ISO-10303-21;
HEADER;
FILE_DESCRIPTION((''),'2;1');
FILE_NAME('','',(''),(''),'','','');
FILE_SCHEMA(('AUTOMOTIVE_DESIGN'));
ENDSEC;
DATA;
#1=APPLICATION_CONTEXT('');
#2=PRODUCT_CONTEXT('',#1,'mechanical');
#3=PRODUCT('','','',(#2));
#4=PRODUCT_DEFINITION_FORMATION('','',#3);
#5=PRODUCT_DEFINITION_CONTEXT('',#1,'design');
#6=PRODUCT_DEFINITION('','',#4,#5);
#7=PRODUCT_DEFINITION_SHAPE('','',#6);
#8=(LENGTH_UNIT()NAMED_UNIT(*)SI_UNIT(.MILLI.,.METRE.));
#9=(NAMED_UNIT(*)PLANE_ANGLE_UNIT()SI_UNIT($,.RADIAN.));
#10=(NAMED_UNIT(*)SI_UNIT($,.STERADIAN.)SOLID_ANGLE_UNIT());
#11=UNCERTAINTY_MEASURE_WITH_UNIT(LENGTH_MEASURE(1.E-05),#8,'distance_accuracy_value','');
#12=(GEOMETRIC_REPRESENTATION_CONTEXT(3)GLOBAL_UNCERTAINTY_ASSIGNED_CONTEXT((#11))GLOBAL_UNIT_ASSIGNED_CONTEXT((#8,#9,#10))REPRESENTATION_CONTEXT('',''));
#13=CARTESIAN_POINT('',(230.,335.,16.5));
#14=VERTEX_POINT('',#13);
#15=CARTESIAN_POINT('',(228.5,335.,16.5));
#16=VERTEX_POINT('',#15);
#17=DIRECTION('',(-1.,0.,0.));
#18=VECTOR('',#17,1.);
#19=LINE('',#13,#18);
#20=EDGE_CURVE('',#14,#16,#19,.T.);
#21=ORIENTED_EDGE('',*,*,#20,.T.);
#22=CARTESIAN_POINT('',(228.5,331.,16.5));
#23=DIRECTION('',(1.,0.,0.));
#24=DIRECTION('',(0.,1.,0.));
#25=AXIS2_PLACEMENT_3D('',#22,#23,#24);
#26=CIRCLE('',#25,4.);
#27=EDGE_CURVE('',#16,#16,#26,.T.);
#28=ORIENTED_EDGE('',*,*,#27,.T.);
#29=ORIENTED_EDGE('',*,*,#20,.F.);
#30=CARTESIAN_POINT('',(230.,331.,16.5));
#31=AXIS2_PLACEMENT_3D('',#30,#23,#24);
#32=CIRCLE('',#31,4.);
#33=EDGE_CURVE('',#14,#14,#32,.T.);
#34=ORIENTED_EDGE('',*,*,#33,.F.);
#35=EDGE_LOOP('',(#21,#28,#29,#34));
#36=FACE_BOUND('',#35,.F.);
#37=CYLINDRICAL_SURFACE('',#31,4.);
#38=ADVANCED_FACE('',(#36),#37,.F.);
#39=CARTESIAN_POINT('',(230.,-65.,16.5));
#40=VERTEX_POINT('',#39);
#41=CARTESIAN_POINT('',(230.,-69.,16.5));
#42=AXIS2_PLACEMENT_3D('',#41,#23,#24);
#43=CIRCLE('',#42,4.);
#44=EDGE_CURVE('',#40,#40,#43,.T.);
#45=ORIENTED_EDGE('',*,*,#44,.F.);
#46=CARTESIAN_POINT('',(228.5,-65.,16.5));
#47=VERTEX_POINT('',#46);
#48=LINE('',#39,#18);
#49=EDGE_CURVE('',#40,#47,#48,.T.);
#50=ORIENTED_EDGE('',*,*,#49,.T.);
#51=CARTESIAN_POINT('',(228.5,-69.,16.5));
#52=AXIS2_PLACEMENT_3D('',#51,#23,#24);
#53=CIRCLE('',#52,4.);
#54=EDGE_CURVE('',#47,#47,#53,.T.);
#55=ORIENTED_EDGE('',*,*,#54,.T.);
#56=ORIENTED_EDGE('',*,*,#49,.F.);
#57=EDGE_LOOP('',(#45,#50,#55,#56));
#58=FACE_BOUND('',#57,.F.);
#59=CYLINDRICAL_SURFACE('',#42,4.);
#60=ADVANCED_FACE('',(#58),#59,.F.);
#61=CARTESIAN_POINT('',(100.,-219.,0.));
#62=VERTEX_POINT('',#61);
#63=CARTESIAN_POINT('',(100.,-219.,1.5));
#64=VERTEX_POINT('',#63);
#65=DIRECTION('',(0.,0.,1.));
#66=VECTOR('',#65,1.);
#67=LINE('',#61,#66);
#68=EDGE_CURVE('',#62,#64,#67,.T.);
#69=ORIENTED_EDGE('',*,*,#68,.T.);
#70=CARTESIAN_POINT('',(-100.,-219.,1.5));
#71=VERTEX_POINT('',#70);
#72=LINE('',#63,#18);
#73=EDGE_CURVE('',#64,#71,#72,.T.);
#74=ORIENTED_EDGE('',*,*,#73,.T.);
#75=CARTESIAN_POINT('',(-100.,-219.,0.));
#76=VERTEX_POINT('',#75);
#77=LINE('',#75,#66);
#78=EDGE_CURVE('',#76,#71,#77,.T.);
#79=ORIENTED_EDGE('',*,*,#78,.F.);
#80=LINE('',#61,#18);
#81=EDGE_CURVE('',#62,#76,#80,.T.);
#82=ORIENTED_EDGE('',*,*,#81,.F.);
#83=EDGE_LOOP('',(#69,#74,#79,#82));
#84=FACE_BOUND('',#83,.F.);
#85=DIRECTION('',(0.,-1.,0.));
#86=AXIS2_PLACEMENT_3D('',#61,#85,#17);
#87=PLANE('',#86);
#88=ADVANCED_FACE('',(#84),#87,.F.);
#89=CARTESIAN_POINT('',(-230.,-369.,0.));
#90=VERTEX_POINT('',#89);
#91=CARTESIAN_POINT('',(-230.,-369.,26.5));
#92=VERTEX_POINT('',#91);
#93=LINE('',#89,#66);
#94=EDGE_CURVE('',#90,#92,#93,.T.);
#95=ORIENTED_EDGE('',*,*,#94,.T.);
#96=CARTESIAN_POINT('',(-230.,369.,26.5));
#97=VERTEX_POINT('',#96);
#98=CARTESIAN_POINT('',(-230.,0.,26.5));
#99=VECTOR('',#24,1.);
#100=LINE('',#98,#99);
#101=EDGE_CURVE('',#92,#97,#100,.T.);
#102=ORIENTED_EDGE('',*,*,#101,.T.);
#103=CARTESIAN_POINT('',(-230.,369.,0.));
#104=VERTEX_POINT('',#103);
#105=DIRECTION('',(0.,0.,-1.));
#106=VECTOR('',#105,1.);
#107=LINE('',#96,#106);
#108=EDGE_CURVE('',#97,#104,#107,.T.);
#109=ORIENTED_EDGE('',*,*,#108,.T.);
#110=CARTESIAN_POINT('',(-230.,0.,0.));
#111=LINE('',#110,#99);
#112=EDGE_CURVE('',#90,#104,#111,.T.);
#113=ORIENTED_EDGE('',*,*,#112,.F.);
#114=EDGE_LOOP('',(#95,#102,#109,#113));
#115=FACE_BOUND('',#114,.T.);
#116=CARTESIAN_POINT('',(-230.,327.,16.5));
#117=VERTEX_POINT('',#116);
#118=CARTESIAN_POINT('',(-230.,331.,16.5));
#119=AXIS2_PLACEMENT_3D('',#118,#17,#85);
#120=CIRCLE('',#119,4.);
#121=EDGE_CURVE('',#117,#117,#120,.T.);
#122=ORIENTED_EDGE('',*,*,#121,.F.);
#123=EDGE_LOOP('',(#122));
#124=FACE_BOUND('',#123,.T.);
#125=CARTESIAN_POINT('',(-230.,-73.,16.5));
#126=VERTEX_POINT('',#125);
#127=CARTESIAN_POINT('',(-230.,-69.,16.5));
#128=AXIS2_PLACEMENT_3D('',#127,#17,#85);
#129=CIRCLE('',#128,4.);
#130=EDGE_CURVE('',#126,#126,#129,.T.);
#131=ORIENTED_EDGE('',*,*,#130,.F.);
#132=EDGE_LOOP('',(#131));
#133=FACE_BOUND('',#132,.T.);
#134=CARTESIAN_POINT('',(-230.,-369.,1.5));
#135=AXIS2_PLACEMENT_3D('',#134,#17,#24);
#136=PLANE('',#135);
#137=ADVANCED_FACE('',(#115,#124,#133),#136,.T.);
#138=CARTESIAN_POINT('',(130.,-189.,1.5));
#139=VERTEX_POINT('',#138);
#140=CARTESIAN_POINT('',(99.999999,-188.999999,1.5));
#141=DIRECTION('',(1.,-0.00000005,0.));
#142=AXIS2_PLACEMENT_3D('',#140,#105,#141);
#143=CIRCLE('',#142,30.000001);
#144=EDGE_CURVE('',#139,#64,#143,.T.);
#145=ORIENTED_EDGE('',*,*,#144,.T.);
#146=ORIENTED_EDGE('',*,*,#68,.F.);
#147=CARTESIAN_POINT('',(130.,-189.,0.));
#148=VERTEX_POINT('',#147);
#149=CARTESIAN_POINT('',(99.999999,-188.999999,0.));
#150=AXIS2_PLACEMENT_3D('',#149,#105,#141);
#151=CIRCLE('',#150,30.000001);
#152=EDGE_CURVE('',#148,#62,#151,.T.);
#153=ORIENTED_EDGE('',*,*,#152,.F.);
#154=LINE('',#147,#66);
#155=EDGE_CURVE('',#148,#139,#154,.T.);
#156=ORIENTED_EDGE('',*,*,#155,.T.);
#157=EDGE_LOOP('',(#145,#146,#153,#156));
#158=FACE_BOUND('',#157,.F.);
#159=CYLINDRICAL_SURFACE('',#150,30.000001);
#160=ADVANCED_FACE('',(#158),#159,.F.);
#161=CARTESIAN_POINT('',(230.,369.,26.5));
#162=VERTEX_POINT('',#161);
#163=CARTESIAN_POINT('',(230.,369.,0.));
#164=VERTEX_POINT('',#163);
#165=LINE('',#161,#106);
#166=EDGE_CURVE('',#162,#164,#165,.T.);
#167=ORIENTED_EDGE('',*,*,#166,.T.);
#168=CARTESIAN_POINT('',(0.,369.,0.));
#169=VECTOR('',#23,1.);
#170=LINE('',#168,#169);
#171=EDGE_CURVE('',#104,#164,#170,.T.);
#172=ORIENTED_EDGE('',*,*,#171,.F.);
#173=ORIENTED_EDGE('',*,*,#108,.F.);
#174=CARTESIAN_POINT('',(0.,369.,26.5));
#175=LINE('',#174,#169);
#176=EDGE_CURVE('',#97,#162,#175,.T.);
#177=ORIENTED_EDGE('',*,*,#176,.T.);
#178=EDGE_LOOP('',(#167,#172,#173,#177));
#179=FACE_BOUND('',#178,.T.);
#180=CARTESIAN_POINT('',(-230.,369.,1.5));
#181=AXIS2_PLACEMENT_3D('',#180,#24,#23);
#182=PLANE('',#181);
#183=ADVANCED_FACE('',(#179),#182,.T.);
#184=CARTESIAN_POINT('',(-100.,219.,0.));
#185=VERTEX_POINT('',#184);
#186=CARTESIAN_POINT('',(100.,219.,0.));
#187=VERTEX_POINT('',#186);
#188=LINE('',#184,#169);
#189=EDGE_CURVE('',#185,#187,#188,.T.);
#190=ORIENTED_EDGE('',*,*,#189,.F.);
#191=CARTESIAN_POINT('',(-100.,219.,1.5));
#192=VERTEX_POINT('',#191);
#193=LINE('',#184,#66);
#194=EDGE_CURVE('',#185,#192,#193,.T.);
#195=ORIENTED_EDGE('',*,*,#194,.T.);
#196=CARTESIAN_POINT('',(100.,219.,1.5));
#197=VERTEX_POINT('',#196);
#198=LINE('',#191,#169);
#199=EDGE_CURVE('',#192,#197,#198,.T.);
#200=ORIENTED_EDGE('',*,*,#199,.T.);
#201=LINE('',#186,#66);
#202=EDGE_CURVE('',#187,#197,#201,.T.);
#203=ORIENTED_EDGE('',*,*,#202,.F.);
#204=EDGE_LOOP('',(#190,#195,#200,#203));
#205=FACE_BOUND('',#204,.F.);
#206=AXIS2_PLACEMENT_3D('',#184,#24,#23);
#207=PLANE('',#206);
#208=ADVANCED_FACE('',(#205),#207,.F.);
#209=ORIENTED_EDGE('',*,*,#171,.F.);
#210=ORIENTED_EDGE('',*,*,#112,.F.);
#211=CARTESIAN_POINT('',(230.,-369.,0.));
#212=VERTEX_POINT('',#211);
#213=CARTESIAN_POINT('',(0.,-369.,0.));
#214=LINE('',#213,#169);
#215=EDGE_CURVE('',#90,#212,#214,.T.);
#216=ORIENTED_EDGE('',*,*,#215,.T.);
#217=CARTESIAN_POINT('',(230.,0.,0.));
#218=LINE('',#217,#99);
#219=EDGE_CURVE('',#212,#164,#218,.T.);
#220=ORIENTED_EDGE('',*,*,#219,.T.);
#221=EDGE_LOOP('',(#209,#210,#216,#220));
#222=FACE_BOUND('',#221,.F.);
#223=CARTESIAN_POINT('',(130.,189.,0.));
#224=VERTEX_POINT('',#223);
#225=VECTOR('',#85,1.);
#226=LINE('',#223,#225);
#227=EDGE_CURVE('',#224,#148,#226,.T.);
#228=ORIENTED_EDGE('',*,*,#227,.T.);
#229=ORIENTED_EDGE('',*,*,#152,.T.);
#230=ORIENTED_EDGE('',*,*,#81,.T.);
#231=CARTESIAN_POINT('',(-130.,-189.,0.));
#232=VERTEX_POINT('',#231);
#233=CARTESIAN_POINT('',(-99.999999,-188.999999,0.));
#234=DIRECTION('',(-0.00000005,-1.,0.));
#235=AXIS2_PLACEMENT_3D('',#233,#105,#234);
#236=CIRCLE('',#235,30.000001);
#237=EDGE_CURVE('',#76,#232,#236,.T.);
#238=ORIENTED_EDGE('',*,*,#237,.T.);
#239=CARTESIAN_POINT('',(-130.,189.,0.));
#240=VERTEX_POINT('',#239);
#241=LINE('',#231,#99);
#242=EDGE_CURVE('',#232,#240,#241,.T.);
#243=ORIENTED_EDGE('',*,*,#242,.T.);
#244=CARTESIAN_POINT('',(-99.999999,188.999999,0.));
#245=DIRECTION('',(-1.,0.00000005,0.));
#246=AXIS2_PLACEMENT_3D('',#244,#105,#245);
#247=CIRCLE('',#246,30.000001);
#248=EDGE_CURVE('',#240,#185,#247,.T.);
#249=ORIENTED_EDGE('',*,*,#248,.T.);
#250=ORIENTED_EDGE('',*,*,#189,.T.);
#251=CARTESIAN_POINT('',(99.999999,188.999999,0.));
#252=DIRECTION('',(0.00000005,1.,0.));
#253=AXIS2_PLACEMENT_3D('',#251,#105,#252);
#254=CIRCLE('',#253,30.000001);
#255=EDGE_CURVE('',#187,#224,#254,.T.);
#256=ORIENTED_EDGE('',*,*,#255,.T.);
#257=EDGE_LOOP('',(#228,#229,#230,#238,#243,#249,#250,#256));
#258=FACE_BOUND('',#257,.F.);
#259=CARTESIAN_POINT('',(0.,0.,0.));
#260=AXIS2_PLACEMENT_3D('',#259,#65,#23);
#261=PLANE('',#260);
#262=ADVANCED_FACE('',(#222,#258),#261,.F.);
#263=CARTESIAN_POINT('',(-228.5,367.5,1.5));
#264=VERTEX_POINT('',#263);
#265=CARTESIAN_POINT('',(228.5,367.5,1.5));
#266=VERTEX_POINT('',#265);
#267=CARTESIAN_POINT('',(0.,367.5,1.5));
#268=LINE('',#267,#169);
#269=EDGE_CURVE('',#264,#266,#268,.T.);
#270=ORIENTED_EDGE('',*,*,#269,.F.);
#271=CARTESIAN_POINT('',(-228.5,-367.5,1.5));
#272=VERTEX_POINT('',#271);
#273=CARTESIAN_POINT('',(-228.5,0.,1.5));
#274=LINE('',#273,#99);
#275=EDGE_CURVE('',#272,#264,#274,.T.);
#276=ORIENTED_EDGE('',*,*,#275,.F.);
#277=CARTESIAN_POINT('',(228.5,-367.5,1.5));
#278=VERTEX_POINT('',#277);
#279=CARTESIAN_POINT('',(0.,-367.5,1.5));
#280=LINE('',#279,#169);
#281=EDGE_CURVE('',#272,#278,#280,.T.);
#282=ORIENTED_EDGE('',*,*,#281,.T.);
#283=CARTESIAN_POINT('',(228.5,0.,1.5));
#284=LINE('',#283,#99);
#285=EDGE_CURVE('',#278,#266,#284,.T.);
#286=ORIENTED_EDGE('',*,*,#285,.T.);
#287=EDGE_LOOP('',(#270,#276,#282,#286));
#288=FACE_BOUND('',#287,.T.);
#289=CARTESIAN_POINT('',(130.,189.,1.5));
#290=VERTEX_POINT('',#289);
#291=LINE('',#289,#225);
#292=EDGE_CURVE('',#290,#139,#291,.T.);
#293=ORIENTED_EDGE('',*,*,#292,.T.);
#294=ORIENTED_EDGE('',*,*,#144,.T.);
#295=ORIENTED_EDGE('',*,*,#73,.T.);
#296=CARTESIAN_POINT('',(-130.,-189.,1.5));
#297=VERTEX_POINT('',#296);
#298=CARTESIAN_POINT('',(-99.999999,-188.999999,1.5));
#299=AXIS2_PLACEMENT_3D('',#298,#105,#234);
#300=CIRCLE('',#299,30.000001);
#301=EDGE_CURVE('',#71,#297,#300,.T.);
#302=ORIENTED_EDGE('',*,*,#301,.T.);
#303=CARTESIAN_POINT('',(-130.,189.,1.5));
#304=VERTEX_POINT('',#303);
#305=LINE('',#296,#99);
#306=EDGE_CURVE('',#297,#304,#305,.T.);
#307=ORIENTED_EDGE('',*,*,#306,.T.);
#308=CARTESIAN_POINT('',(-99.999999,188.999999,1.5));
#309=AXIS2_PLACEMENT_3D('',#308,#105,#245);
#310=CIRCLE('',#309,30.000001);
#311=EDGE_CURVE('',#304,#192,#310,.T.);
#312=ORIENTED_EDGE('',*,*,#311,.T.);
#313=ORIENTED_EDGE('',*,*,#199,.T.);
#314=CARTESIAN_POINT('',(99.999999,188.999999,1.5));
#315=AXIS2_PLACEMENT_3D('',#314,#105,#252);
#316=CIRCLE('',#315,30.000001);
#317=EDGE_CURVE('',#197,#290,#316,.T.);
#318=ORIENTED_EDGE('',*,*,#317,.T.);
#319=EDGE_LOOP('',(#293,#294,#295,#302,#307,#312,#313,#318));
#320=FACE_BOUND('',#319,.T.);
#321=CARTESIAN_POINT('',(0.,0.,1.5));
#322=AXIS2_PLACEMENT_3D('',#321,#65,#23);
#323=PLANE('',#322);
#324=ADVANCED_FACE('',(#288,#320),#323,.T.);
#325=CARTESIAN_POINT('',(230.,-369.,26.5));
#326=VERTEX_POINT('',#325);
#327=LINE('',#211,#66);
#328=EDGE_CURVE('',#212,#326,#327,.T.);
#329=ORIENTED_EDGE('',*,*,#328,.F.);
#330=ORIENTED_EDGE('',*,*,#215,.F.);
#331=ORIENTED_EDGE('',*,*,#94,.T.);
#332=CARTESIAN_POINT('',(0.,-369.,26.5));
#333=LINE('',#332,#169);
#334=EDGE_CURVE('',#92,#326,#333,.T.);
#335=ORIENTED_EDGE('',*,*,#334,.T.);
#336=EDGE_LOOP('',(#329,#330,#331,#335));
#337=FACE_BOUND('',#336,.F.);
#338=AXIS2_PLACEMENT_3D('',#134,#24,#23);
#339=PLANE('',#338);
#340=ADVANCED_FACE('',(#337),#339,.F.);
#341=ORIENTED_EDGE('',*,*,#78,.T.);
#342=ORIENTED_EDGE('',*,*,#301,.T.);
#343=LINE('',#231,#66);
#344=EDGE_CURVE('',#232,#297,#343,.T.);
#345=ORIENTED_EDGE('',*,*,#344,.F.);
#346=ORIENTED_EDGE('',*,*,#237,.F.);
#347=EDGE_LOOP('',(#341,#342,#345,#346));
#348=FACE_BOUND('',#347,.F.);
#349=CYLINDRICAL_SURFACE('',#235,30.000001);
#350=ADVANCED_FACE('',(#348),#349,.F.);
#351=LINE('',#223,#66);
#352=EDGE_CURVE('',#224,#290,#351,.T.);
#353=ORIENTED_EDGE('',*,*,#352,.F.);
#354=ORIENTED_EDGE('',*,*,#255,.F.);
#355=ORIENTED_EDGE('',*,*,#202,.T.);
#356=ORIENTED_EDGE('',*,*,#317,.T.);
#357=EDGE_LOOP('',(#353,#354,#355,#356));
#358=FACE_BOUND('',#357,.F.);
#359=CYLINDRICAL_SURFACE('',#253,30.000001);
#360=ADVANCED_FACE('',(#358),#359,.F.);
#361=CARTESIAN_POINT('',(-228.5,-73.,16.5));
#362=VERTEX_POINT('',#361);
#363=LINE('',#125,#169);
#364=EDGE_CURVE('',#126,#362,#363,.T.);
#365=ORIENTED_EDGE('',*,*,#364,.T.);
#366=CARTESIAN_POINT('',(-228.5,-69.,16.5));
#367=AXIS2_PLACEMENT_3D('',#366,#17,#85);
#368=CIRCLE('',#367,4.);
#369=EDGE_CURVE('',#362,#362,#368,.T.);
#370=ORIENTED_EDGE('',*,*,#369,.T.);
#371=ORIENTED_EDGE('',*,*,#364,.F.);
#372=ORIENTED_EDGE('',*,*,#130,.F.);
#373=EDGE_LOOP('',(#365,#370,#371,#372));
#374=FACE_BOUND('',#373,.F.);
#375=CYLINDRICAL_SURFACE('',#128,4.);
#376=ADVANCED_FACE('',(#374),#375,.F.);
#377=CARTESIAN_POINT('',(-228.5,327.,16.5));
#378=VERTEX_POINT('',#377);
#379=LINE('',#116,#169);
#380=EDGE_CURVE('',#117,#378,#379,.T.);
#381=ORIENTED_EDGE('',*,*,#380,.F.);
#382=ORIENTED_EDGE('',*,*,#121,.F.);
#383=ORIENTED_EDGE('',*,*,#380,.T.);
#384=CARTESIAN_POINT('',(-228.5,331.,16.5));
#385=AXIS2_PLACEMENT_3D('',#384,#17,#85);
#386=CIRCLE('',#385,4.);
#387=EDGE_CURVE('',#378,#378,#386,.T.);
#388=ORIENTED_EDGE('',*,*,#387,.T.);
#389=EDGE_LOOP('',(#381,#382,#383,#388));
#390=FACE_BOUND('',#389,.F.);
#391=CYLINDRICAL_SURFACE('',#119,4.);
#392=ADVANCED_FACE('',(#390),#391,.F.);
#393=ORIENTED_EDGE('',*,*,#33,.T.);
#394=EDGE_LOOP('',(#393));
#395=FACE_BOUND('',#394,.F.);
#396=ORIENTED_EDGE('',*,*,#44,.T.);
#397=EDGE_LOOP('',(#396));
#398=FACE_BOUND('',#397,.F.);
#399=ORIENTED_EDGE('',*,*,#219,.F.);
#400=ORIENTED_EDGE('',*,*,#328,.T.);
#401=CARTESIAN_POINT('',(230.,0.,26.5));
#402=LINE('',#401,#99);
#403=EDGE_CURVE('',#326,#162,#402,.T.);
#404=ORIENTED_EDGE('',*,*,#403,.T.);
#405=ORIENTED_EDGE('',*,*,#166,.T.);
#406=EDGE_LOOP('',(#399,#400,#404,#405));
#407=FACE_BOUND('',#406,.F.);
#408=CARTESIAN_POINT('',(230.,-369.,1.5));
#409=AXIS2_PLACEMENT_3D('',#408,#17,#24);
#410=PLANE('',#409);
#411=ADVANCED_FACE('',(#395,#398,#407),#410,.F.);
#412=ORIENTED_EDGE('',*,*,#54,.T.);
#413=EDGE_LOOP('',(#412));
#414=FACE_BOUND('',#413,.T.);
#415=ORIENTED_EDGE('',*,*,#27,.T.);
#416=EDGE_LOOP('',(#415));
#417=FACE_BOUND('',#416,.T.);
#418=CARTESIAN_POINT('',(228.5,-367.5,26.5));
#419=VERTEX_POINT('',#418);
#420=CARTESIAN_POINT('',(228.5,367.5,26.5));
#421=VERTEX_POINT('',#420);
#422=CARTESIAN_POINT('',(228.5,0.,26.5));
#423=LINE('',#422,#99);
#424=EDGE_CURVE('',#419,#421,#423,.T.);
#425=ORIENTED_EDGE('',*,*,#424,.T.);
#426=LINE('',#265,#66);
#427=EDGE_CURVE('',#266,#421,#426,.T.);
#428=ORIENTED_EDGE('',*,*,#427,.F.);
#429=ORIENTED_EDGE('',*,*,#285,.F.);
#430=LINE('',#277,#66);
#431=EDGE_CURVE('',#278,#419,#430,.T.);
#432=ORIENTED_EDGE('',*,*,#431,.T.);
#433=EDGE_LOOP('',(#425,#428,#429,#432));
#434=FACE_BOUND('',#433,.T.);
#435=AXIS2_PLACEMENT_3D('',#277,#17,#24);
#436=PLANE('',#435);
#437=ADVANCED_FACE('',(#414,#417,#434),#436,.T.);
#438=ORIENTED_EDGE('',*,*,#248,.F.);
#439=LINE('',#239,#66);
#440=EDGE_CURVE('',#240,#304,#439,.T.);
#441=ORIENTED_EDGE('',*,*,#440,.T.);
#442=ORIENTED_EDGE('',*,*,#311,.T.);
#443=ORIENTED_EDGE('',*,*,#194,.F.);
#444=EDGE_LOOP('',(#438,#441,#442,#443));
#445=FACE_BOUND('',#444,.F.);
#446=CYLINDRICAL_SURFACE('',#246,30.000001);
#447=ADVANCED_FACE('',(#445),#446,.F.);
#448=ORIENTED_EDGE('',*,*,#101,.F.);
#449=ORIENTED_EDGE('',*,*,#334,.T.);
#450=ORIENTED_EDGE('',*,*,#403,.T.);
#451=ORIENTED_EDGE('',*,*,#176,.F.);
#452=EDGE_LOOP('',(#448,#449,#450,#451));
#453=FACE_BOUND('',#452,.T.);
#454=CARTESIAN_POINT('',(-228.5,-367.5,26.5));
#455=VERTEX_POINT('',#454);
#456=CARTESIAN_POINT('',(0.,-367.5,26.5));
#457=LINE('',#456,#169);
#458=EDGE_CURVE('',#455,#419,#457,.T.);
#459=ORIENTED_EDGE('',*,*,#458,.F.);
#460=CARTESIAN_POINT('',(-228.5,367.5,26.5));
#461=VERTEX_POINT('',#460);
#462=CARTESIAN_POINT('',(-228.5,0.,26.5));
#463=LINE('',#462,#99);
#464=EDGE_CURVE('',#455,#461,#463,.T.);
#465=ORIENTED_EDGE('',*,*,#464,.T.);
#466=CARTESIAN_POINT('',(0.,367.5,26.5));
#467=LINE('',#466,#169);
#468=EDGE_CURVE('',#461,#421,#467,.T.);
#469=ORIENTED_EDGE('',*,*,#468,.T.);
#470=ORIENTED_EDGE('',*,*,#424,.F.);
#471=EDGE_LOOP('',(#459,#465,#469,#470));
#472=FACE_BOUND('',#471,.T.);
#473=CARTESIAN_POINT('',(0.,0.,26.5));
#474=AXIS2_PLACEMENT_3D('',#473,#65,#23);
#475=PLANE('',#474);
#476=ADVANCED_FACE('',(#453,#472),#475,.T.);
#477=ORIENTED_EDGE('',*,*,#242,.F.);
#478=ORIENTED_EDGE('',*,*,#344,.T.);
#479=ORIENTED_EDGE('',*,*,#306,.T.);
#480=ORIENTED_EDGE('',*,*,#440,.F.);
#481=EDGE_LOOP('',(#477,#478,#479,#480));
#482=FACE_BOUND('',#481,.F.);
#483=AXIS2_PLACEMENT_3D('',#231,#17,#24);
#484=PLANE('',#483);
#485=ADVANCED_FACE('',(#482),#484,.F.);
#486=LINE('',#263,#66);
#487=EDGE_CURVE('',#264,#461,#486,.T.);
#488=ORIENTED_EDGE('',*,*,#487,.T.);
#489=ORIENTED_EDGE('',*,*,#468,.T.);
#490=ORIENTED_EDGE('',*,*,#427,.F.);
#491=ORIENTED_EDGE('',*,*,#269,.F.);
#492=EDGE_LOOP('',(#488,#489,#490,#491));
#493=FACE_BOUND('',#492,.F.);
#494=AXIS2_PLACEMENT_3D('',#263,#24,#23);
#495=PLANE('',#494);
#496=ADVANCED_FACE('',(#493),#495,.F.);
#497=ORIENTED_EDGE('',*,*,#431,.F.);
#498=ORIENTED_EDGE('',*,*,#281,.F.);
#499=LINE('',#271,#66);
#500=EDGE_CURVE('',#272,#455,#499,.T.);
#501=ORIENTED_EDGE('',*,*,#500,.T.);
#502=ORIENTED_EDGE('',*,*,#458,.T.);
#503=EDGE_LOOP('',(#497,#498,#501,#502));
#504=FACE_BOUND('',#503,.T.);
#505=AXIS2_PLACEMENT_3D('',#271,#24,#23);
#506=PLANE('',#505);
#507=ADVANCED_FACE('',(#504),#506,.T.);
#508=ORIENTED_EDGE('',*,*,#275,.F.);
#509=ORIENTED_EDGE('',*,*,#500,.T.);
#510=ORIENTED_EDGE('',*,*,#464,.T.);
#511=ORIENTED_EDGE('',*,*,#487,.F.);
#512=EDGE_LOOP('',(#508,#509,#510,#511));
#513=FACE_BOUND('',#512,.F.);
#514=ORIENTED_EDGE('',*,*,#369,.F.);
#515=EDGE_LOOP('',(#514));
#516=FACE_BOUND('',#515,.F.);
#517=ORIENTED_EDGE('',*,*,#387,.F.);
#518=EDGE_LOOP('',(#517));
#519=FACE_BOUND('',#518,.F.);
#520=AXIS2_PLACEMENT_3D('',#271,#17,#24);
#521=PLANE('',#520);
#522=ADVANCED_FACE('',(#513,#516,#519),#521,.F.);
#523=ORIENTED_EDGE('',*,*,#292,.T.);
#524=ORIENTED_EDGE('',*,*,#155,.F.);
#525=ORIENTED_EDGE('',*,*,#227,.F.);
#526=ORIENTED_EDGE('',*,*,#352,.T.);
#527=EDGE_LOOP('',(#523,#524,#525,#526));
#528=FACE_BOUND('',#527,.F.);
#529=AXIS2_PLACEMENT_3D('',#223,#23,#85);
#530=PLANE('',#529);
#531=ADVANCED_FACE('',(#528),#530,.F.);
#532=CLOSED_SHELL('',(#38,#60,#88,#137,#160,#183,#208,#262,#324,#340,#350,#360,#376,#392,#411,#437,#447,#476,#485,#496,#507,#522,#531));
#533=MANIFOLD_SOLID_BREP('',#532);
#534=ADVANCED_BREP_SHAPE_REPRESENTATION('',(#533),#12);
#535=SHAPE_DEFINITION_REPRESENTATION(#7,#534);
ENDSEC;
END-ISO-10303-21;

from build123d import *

# Parameters (mm, degrees)
F0_W     = 460
F0_H     = 738
F1_DEPTH = 1.5
F2_W     = 460
F2_H     = 738
F2_W_2   = 457
F2_H_2   = 735
F3_DEPTH = 25
F4_R     = 4
F5_DEPTH = 25
F6_R     = 4
F7_DEPTH = 25


with BuildPart() as f1:
    # F0 (on Top) → F1 (new body)
    with BuildSketch(Plane.XY):
        Rectangle(F0_W, F0_H)
        with BuildLine():
            Line((-100, 219), (100, 219))
            ThreePointArc((100, 219), (121.213203, 210.213203), (130, 189))
            Line((130, 189), (130, -189))
            ThreePointArc((130, -189), (121.213203, -210.213203), (100, -219))
            Line((100, -219), (-100, -219))
            ThreePointArc((-100, -219), (-121.213203, -210.213203), (-130, -189))
            Line((-130, -189), (-130, 189))
            ThreePointArc((-130, 189), (-121.213203, 210.213203), (-100, 219))
        make_face(mode=Mode.SUBTRACT)
    extrude(amount=F1_DEPTH)

    # F2 (on face) → F3 (join)
    with BuildSketch(Plane.XY.offset(1.5)):
        Rectangle(F2_W, F2_H)
        Rectangle(F2_W_2, F2_H_2, mode=Mode.SUBTRACT)
    extrude(amount=F3_DEPTH)

    # F4 (on face) → F5 (cut)
    with BuildSketch(Plane.YZ.offset(230)):
        with Locations((-69, 16.5)):
            Circle(F4_R)
        with Locations((331, 16.5)):
            Circle(F4_R)
    extrude(amount=-F5_DEPTH, mode=Mode.SUBTRACT)

    # F6 (on face) → F7 (cut)
    with BuildSketch(Plane(origin=(-230, 0, 0), x_dir=(0, -1, 0), z_dir=(-1, 0, 0))):
        with Locations((-331, 16.5)):
            Circle(F6_R)
        with Locations((69, 16.5)):
            Circle(F6_R)
    extrude(amount=-F7_DEPTH, mode=Mode.SUBTRACT)


solid = f1.part
